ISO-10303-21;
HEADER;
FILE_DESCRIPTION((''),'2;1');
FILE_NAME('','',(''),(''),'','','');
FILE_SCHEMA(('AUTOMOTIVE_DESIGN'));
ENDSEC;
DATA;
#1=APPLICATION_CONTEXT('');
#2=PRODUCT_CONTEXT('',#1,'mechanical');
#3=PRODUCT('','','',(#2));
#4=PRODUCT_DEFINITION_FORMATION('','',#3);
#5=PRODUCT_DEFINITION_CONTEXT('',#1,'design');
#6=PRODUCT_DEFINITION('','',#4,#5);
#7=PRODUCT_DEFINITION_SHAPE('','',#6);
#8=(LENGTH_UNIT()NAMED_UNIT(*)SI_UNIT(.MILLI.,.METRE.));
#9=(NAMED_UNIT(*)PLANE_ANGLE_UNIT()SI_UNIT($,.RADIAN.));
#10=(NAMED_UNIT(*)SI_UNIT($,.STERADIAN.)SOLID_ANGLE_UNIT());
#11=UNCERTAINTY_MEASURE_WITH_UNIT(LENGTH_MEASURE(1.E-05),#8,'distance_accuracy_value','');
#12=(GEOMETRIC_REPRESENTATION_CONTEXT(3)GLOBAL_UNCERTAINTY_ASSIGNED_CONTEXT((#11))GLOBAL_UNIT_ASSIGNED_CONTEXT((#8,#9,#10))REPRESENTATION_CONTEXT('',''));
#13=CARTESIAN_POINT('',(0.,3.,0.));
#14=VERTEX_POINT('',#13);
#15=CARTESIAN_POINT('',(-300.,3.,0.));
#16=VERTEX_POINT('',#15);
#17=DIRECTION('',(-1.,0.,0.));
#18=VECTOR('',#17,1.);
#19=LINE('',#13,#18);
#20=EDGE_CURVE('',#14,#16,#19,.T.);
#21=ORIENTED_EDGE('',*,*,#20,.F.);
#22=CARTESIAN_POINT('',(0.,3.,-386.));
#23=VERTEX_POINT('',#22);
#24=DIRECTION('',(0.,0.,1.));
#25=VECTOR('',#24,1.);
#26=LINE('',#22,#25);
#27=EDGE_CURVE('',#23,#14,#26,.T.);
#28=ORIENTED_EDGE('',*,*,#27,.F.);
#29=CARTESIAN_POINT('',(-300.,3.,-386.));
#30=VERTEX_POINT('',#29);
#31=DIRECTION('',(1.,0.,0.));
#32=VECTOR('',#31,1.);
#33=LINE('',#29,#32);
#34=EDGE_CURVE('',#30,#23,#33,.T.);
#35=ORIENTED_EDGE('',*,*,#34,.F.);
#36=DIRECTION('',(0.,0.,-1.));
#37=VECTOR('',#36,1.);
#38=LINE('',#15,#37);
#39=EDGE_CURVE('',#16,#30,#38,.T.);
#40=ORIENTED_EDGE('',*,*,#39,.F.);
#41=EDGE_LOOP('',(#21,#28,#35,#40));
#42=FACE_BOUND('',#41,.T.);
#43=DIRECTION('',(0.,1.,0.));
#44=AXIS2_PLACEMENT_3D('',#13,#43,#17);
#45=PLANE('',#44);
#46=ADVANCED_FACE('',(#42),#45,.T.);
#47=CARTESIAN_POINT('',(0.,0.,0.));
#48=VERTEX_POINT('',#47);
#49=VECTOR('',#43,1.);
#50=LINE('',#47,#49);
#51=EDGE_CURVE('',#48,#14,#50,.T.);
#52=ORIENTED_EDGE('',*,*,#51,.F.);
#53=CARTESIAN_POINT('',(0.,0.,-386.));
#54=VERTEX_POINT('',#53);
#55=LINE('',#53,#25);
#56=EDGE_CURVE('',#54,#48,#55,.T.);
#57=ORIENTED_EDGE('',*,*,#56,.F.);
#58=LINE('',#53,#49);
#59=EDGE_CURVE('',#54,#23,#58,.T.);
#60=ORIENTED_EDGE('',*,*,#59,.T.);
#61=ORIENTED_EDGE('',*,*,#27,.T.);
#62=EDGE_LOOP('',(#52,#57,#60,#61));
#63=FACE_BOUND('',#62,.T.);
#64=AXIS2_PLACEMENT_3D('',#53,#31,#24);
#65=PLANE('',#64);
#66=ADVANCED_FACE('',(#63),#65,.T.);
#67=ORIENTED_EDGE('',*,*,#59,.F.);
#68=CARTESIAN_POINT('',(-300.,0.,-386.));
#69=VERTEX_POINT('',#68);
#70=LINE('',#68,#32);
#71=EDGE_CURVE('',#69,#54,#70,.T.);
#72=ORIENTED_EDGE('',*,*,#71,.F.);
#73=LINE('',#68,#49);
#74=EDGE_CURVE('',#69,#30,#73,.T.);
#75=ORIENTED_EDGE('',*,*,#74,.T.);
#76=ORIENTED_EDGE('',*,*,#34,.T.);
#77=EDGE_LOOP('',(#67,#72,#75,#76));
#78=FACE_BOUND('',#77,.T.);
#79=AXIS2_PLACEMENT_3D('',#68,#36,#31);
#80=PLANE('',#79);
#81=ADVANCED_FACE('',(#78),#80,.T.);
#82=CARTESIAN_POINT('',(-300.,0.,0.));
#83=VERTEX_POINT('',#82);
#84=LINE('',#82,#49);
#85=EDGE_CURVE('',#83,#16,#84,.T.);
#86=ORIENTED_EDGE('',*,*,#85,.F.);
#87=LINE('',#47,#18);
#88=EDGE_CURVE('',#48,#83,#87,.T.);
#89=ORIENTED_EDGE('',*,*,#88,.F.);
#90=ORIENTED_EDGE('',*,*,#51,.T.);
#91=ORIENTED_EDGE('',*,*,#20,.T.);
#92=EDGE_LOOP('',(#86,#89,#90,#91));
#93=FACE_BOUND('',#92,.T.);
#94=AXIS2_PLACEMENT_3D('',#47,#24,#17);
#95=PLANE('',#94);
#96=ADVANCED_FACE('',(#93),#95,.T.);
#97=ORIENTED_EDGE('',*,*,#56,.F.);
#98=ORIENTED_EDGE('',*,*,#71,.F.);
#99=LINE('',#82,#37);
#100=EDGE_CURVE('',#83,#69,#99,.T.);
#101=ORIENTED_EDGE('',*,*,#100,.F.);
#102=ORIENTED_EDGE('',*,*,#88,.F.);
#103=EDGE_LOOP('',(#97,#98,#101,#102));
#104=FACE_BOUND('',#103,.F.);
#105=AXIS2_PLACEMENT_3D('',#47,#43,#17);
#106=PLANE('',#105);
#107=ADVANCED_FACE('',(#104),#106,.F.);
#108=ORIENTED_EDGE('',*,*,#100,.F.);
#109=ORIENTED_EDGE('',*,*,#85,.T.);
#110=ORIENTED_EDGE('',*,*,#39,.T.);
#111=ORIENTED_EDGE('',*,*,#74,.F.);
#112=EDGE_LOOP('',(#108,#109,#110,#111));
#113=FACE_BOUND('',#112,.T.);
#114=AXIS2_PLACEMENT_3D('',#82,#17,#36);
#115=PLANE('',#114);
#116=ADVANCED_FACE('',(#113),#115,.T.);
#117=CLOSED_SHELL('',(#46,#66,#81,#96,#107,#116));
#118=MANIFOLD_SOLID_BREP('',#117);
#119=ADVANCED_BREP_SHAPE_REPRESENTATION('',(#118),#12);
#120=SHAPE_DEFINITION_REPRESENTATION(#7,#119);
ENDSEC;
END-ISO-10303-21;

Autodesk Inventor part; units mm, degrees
ref_plane "YZ Plane" through (0, 0, 0) normal (1, 0, 0) x (0, 1, 0)
ref_plane "XZ Plane" through (0, 0, 0) normal (0, 1, 0) x (-1, 0, 0)
ref_plane "XY Plane" through (0, 0, 0) normal (0, 0, 1) x (1, 0, 0)
sketch "Náčrt1" plane through (0, 0, 0) normal (0, 1, 0) x (-1, 0, 0)
  line L0 (0, 0) -> (300, 0)
  line L1 (300, 0) -> (300, -386)
  line L2 (300, -386) -> (0, -386)
  line L3 (0, -386) -> (0, 0)
  dimension "d0" = 300
  dimension "d1" = 386
extrude "Vysunutí1" add sketch "Náčrt1" along normal blind 3
properties part number "Viko-horni"
